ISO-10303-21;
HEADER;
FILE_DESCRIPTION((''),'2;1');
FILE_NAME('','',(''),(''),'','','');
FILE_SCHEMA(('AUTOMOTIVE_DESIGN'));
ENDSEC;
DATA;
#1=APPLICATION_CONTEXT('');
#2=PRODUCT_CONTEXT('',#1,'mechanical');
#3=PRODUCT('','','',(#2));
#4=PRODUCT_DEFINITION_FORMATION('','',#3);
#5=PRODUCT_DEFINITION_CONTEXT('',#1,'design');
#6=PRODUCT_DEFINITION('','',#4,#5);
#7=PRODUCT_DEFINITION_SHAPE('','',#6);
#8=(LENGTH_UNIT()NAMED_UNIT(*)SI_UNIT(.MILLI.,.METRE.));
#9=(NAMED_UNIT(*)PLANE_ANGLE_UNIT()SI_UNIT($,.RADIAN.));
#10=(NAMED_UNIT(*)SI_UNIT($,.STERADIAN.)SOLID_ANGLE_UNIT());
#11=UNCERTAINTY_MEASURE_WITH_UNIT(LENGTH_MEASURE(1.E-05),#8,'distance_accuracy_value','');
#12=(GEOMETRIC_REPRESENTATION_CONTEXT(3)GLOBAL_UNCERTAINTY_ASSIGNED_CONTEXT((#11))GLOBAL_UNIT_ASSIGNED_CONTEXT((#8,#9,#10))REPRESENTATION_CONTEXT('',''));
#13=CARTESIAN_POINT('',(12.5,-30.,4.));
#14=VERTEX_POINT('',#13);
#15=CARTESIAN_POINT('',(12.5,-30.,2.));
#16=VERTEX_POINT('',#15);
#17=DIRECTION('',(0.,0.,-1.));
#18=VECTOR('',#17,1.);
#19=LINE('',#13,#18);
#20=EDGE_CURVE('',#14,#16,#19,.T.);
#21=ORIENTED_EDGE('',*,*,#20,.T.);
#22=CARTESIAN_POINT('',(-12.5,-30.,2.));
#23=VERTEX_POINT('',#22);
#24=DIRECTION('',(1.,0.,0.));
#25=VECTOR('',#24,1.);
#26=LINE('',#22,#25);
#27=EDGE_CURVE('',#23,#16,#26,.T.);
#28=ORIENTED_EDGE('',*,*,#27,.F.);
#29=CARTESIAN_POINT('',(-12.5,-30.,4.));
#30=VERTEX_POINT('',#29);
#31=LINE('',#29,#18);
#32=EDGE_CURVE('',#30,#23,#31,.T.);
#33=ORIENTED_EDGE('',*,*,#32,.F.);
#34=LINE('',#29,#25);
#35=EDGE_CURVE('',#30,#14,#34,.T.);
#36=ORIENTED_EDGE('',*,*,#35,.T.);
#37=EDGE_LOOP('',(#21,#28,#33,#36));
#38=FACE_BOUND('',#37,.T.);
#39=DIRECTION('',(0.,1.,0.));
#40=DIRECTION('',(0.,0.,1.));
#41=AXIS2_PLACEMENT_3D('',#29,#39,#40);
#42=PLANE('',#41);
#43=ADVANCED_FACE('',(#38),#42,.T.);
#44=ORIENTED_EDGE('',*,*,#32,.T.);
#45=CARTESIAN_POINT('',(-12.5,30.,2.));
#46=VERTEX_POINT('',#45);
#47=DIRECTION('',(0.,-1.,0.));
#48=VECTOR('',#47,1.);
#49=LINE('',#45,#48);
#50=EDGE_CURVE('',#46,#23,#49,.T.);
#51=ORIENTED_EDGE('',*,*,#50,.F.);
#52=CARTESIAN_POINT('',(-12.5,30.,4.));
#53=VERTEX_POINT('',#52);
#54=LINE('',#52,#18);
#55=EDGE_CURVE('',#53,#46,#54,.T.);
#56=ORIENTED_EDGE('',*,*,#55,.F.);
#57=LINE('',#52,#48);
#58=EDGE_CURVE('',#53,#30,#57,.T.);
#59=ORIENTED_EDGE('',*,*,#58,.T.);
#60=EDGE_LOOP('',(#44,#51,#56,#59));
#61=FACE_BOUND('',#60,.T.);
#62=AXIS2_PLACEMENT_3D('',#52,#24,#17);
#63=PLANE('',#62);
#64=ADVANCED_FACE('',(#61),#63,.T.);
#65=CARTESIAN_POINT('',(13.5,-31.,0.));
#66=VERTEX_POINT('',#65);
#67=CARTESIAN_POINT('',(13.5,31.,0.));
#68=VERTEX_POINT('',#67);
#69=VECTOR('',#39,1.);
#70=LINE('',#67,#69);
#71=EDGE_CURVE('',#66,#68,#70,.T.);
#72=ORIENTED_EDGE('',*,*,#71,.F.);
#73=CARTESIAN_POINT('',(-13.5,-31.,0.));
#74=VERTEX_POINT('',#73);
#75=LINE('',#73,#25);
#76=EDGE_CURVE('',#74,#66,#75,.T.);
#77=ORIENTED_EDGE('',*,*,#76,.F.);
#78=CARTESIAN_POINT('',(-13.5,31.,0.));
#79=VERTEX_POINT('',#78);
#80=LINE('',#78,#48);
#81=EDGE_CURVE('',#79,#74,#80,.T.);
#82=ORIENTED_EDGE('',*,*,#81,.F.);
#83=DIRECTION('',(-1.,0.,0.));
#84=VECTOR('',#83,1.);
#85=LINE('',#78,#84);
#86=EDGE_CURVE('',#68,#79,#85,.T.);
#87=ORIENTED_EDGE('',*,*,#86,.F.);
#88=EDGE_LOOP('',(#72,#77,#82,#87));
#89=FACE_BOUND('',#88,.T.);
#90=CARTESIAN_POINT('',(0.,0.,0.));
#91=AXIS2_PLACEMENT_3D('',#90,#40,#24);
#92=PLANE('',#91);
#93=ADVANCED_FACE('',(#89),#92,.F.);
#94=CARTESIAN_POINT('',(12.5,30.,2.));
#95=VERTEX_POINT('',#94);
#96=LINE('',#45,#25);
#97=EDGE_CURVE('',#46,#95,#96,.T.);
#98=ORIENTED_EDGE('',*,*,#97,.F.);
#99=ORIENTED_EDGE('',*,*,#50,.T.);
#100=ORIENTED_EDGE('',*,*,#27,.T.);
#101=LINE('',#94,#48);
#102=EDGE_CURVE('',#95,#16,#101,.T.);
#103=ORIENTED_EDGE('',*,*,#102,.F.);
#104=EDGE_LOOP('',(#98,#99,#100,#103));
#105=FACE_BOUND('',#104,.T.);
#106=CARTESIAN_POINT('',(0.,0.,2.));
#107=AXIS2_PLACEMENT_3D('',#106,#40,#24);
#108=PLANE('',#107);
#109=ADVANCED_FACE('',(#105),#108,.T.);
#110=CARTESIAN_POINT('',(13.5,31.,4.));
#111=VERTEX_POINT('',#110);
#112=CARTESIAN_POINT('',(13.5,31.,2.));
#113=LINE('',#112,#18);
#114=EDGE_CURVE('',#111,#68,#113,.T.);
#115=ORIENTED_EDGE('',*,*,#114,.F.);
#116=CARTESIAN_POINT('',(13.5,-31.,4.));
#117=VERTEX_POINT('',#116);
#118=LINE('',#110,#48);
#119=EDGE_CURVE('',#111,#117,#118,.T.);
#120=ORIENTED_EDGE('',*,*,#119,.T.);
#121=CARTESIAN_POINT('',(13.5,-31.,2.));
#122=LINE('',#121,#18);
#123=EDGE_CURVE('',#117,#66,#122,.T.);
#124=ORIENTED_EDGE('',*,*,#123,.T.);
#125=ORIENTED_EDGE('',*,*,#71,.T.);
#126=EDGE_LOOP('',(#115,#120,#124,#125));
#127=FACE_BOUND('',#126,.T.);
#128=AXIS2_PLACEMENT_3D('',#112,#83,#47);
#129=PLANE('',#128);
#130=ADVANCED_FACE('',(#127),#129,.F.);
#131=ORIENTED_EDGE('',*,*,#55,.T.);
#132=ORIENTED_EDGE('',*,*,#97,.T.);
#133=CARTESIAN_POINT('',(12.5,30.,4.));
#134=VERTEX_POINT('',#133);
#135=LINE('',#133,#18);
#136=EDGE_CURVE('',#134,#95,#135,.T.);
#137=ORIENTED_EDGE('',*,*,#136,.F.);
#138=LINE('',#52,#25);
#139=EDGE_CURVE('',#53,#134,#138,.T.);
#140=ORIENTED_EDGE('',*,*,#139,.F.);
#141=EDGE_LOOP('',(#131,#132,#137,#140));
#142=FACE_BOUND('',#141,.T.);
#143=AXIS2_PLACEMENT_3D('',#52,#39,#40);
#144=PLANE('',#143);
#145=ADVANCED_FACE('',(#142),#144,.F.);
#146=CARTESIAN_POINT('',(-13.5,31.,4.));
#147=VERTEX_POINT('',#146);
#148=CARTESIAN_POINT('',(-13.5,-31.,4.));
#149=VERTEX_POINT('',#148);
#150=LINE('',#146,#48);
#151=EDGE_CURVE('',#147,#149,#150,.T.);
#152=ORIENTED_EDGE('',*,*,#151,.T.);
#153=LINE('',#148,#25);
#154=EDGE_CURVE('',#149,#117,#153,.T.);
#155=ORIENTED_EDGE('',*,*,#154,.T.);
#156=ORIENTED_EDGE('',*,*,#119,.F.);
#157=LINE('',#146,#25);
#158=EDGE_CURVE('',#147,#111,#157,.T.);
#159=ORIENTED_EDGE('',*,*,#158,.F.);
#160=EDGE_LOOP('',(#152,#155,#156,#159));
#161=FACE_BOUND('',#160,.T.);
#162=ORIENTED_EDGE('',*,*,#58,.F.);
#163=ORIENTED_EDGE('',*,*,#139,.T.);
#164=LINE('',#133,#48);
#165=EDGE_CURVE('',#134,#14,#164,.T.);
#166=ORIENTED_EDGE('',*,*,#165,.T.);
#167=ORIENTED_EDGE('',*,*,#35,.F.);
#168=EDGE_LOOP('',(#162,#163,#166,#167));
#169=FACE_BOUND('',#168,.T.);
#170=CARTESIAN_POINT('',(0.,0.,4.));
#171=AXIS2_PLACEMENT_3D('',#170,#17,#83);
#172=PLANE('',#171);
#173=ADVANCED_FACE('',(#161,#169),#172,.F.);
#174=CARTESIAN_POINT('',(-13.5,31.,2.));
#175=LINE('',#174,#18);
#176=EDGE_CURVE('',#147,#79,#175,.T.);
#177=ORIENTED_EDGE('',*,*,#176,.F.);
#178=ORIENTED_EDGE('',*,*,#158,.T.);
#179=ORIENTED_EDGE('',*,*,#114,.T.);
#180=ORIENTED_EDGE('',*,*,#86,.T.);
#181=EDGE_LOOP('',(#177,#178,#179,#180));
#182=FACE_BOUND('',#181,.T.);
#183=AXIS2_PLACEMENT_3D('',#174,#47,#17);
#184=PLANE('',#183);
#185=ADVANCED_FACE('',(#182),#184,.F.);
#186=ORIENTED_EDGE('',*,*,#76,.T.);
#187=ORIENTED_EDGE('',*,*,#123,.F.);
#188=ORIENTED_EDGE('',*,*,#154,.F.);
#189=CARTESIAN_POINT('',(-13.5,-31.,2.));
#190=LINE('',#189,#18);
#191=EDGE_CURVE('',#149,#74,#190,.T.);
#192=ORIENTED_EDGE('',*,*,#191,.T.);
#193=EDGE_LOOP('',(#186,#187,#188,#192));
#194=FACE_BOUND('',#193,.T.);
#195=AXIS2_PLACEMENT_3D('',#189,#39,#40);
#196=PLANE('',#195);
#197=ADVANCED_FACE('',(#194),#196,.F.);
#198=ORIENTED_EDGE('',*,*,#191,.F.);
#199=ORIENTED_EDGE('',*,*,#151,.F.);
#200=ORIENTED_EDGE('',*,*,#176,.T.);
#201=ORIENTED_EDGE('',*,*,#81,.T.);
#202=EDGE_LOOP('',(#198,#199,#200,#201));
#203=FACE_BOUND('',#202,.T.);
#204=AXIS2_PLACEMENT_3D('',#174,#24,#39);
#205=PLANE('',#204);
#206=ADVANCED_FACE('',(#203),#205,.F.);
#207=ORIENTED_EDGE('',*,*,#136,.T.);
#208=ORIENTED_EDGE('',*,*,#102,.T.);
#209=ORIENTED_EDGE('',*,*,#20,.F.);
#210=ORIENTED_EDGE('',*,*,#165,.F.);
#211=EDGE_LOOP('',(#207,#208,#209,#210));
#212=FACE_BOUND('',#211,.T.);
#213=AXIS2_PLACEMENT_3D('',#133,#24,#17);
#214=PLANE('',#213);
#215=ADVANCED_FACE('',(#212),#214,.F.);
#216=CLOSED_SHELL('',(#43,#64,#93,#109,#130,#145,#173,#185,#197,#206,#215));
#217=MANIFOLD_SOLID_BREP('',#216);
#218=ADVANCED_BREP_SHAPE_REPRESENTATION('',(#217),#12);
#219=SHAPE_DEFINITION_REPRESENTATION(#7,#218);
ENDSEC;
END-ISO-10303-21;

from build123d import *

# Parameters (mm, degrees)
SKETCH1_W           = 27
SKETCH1_H           = 62
BOSS_EXTRUDE1_DEPTH = 2
SKETCH6_W           = 27
SKETCH6_H           = 62
SKETCH6_W_2         = 25
SKETCH6_H_2         = 60
BOSS_EXTRUDE2_DEPTH = 2


with BuildPart() as part:
    # Sketch1 → Boss-Extrude1 (new body)
    with BuildSketch(Plane.XY):
        Rectangle(SKETCH1_W, SKETCH1_H)
    extrude(amount=BOSS_EXTRUDE1_DEPTH)

    # Sketch6 → Boss-Extrude2 (add)
    with BuildSketch(Plane.XY.offset(2)):
        Rectangle(SKETCH6_W, SKETCH6_H)
        Rectangle(SKETCH6_W_2, SKETCH6_H_2, mode=Mode.SUBTRACT)
    extrude(amount=BOSS_EXTRUDE2_DEPTH)


solid = part.part
